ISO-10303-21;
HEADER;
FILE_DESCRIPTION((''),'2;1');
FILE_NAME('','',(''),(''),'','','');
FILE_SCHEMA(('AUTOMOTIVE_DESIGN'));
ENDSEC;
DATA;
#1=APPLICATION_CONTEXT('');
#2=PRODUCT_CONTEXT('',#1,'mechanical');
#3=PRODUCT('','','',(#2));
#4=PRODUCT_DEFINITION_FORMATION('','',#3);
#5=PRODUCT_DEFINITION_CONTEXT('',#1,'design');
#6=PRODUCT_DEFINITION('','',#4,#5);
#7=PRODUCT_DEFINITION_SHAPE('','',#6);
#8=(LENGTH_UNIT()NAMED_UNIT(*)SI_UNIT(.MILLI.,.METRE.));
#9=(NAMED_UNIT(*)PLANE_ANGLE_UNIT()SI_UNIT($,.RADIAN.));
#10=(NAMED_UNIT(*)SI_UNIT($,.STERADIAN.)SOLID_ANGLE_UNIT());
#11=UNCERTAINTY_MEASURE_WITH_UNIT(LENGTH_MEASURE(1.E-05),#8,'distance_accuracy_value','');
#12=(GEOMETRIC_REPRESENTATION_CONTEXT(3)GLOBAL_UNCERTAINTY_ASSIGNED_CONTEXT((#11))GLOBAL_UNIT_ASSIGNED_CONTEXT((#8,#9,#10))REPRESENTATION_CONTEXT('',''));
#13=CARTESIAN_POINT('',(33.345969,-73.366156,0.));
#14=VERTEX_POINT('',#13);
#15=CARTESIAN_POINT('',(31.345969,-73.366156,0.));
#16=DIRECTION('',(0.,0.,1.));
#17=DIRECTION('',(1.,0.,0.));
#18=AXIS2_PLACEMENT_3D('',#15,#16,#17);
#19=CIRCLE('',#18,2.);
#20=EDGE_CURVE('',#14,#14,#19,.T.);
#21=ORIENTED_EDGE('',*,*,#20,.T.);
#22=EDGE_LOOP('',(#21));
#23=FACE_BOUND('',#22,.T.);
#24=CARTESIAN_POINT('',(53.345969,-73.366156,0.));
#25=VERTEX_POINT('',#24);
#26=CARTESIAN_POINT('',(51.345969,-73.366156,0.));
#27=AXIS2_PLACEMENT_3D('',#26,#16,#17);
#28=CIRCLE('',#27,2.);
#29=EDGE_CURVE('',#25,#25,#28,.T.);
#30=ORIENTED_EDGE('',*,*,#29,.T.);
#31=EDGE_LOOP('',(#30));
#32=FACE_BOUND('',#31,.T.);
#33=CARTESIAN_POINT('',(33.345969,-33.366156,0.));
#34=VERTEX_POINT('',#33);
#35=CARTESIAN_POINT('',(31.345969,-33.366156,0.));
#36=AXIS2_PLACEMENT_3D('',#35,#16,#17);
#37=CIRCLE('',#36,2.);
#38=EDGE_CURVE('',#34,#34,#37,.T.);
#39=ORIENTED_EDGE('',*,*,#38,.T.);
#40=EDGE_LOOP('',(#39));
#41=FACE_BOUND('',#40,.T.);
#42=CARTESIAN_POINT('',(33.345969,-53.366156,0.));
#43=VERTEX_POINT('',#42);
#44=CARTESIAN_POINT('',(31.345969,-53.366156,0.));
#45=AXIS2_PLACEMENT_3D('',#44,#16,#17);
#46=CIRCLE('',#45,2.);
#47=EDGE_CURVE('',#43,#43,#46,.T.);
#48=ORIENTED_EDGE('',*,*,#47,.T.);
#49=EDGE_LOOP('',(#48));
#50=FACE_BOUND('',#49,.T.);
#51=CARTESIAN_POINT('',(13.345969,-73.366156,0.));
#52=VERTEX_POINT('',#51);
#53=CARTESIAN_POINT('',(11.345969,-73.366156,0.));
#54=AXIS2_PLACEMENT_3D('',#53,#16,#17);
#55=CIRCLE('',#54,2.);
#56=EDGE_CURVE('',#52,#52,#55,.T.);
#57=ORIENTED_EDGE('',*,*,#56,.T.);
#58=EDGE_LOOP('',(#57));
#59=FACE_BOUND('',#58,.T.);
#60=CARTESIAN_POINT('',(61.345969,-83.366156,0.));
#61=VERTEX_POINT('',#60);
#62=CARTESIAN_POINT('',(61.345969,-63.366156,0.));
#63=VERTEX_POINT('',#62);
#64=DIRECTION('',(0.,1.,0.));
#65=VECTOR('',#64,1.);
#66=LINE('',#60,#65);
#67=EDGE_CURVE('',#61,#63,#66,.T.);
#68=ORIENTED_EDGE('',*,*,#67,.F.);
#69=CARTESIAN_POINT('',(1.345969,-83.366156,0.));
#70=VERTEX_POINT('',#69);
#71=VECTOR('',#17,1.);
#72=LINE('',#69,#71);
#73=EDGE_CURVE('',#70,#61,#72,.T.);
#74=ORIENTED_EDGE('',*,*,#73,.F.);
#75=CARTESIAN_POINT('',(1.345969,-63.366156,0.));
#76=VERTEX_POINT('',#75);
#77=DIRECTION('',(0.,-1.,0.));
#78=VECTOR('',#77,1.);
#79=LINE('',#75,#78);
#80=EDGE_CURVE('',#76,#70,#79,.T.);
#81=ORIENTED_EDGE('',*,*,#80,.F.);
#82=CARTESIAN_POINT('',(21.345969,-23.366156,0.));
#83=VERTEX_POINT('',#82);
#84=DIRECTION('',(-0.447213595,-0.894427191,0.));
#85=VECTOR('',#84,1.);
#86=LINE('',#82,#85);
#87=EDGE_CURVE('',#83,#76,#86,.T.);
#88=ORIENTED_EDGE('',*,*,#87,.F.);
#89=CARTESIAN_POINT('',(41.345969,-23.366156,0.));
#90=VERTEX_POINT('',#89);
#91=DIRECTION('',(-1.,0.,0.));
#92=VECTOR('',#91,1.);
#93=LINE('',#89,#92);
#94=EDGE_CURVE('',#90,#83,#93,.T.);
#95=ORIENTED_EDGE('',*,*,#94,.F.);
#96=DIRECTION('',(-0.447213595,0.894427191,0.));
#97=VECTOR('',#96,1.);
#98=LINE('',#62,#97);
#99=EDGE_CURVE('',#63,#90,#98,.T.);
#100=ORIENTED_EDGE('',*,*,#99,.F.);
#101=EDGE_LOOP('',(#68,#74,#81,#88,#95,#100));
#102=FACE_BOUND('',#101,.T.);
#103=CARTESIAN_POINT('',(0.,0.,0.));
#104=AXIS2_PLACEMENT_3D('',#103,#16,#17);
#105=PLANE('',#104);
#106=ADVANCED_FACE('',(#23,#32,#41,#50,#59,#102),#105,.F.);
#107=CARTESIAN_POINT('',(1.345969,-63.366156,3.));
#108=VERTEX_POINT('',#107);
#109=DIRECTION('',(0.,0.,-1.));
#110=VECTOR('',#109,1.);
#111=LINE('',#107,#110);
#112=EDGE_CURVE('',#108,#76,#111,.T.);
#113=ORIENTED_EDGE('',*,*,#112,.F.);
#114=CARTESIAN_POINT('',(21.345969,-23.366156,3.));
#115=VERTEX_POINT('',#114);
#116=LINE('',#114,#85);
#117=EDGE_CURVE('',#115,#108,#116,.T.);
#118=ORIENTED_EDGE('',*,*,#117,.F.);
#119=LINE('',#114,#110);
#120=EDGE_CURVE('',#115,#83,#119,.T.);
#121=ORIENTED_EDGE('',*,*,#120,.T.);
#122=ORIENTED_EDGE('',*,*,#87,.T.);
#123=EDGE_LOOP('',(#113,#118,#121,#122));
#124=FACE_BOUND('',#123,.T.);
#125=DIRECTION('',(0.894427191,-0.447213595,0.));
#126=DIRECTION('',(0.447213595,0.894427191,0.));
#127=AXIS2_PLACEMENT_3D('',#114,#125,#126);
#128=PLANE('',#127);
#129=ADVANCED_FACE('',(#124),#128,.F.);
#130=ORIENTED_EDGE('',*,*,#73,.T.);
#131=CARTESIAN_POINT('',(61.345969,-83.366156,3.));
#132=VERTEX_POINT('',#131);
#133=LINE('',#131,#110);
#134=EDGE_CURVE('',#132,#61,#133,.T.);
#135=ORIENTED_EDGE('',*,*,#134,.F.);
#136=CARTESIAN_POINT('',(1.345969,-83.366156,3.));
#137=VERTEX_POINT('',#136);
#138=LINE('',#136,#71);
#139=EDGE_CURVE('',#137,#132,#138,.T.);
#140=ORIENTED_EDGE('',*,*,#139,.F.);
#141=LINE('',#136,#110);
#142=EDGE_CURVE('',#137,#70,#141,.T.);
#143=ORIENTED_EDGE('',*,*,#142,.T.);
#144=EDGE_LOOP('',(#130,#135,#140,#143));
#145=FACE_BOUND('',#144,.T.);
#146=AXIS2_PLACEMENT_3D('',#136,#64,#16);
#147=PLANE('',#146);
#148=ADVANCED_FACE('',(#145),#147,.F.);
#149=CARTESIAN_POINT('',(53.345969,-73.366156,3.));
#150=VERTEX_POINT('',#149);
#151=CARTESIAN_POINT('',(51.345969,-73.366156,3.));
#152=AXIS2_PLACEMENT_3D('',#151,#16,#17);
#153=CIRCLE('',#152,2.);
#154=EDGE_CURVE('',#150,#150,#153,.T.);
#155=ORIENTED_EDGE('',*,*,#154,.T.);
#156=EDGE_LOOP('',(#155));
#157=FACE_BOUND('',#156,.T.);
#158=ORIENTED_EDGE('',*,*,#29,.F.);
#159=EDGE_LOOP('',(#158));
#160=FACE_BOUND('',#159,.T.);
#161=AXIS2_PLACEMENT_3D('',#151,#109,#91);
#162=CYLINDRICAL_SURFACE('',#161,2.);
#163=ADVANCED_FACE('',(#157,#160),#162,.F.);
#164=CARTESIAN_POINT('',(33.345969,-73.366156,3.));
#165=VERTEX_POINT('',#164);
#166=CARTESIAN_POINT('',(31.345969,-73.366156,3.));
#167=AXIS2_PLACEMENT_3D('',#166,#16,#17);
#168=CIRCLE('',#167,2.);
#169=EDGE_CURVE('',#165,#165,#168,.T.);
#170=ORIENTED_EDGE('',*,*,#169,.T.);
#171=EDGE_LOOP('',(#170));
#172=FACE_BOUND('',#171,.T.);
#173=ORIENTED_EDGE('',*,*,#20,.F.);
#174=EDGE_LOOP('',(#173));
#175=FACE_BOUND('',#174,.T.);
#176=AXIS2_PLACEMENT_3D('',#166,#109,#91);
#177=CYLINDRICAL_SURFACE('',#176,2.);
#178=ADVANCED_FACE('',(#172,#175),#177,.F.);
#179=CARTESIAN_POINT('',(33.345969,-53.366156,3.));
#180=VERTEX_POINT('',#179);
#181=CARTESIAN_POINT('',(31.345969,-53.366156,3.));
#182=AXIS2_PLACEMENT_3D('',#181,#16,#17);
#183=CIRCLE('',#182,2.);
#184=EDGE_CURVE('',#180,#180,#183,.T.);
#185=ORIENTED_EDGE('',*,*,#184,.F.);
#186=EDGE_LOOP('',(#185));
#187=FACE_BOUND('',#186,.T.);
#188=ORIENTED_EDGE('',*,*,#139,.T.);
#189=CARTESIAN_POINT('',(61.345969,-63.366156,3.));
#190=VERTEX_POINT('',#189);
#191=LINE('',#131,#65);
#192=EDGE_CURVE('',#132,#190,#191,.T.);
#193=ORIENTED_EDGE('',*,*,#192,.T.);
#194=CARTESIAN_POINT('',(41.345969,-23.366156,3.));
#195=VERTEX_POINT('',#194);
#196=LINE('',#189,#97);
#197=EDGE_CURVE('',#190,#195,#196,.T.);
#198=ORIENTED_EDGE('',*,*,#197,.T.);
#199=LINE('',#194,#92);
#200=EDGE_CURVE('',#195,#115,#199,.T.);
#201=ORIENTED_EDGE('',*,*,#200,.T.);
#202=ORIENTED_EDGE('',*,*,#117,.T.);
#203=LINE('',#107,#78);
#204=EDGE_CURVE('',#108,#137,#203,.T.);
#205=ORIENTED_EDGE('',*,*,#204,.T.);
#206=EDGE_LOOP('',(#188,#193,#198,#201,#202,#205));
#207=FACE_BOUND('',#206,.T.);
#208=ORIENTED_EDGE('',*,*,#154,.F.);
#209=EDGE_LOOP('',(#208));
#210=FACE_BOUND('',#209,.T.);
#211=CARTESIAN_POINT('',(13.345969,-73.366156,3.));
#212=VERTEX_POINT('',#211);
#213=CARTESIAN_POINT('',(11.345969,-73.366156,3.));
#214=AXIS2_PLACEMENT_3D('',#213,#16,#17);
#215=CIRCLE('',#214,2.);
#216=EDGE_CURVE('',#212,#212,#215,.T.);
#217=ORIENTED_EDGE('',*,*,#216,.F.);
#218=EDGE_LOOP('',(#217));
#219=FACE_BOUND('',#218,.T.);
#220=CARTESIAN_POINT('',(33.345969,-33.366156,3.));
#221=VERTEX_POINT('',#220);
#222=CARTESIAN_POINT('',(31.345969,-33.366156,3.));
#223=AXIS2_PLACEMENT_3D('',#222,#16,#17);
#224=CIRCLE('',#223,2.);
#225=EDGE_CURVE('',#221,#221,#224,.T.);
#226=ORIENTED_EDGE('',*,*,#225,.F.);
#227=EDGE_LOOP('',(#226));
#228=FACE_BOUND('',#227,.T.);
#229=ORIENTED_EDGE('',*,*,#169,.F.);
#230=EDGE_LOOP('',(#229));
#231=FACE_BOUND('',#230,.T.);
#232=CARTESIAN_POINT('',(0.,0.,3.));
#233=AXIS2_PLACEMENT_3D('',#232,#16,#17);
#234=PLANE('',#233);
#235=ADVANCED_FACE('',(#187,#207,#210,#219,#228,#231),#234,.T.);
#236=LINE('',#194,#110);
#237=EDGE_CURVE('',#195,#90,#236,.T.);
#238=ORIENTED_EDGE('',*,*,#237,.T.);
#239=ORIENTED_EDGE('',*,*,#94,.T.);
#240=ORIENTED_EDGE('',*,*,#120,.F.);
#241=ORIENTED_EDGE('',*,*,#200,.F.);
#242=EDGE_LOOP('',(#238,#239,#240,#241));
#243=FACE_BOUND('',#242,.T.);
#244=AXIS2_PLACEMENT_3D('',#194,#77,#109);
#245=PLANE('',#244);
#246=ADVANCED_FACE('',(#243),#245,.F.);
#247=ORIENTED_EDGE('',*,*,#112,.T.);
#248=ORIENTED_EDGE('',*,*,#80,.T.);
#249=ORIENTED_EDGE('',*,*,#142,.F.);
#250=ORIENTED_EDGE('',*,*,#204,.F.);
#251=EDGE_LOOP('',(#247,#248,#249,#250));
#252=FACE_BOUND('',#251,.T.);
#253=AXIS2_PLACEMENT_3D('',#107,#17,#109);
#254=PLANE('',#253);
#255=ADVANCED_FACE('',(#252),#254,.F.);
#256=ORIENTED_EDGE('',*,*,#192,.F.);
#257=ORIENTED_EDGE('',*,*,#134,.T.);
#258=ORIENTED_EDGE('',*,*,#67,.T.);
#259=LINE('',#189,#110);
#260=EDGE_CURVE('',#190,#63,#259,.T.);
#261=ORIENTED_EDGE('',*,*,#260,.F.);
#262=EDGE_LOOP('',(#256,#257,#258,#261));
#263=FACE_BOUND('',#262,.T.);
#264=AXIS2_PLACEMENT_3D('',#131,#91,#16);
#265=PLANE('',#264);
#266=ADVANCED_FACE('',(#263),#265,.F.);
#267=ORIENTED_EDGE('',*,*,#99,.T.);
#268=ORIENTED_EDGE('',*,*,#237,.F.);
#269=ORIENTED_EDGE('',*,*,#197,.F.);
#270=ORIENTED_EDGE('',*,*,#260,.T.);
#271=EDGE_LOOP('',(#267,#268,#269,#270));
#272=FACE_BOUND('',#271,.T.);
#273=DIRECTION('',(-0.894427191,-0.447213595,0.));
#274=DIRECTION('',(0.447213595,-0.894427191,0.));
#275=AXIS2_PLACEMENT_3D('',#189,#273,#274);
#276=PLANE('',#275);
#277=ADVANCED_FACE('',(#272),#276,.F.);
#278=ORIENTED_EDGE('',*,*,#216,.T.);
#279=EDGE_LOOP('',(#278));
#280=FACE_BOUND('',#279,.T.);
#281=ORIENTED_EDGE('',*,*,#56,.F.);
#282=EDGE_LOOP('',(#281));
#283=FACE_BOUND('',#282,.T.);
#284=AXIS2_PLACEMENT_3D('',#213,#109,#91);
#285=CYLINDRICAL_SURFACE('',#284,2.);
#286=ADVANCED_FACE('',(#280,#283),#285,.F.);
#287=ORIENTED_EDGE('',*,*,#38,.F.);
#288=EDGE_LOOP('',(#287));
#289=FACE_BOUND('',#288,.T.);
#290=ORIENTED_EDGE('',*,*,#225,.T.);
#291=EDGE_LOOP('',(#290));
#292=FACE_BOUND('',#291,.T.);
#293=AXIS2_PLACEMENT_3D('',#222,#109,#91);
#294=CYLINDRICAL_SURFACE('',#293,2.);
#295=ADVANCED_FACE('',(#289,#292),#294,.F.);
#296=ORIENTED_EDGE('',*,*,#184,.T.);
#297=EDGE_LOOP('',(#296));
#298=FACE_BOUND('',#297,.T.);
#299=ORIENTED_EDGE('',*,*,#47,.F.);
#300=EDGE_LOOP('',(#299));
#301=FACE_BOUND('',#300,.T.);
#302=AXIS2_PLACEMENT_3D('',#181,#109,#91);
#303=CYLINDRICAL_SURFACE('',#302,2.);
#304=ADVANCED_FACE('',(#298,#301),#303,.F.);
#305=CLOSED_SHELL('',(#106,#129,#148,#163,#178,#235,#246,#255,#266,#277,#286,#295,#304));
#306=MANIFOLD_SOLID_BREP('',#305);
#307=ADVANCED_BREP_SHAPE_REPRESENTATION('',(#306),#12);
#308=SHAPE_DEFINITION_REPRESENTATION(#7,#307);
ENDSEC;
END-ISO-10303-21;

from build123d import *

# Parameters (mm, degrees)
SKETCH_1_R      = 2
EXTRUDE_1_DEPTH = 3


with BuildPart() as part:
    # 草图1 → 凸台-拉伸1 (new body)
    with BuildSketch(Plane.XY):
        Polygon((1.345968749, -83.366156353), (61.345968749, -83.366156353), (61.345968749, -63.366156353), (41.345968749, -23.366156353), (21.345968749, -23.366156353), (1.345968749, -63.366156353), align=None)
        with Locations((31.345968749, -33.366156353)):
            Circle(SKETCH_1_R, mode=Mode.SUBTRACT)
        with Locations((31.345968749, -53.366156353)):
            Circle(SKETCH_1_R, mode=Mode.SUBTRACT)
        with Locations((11.345968749, -73.366156353)):
            Circle(SKETCH_1_R, mode=Mode.SUBTRACT)
        with Locations((31.345968749, -73.366156353)):
            Circle(SKETCH_1_R, mode=Mode.SUBTRACT)
        with Locations((51.345968749, -73.366156353)):
            Circle(SKETCH_1_R, mode=Mode.SUBTRACT)
    extrude(amount=EXTRUDE_1_DEPTH)


solid = part.part
